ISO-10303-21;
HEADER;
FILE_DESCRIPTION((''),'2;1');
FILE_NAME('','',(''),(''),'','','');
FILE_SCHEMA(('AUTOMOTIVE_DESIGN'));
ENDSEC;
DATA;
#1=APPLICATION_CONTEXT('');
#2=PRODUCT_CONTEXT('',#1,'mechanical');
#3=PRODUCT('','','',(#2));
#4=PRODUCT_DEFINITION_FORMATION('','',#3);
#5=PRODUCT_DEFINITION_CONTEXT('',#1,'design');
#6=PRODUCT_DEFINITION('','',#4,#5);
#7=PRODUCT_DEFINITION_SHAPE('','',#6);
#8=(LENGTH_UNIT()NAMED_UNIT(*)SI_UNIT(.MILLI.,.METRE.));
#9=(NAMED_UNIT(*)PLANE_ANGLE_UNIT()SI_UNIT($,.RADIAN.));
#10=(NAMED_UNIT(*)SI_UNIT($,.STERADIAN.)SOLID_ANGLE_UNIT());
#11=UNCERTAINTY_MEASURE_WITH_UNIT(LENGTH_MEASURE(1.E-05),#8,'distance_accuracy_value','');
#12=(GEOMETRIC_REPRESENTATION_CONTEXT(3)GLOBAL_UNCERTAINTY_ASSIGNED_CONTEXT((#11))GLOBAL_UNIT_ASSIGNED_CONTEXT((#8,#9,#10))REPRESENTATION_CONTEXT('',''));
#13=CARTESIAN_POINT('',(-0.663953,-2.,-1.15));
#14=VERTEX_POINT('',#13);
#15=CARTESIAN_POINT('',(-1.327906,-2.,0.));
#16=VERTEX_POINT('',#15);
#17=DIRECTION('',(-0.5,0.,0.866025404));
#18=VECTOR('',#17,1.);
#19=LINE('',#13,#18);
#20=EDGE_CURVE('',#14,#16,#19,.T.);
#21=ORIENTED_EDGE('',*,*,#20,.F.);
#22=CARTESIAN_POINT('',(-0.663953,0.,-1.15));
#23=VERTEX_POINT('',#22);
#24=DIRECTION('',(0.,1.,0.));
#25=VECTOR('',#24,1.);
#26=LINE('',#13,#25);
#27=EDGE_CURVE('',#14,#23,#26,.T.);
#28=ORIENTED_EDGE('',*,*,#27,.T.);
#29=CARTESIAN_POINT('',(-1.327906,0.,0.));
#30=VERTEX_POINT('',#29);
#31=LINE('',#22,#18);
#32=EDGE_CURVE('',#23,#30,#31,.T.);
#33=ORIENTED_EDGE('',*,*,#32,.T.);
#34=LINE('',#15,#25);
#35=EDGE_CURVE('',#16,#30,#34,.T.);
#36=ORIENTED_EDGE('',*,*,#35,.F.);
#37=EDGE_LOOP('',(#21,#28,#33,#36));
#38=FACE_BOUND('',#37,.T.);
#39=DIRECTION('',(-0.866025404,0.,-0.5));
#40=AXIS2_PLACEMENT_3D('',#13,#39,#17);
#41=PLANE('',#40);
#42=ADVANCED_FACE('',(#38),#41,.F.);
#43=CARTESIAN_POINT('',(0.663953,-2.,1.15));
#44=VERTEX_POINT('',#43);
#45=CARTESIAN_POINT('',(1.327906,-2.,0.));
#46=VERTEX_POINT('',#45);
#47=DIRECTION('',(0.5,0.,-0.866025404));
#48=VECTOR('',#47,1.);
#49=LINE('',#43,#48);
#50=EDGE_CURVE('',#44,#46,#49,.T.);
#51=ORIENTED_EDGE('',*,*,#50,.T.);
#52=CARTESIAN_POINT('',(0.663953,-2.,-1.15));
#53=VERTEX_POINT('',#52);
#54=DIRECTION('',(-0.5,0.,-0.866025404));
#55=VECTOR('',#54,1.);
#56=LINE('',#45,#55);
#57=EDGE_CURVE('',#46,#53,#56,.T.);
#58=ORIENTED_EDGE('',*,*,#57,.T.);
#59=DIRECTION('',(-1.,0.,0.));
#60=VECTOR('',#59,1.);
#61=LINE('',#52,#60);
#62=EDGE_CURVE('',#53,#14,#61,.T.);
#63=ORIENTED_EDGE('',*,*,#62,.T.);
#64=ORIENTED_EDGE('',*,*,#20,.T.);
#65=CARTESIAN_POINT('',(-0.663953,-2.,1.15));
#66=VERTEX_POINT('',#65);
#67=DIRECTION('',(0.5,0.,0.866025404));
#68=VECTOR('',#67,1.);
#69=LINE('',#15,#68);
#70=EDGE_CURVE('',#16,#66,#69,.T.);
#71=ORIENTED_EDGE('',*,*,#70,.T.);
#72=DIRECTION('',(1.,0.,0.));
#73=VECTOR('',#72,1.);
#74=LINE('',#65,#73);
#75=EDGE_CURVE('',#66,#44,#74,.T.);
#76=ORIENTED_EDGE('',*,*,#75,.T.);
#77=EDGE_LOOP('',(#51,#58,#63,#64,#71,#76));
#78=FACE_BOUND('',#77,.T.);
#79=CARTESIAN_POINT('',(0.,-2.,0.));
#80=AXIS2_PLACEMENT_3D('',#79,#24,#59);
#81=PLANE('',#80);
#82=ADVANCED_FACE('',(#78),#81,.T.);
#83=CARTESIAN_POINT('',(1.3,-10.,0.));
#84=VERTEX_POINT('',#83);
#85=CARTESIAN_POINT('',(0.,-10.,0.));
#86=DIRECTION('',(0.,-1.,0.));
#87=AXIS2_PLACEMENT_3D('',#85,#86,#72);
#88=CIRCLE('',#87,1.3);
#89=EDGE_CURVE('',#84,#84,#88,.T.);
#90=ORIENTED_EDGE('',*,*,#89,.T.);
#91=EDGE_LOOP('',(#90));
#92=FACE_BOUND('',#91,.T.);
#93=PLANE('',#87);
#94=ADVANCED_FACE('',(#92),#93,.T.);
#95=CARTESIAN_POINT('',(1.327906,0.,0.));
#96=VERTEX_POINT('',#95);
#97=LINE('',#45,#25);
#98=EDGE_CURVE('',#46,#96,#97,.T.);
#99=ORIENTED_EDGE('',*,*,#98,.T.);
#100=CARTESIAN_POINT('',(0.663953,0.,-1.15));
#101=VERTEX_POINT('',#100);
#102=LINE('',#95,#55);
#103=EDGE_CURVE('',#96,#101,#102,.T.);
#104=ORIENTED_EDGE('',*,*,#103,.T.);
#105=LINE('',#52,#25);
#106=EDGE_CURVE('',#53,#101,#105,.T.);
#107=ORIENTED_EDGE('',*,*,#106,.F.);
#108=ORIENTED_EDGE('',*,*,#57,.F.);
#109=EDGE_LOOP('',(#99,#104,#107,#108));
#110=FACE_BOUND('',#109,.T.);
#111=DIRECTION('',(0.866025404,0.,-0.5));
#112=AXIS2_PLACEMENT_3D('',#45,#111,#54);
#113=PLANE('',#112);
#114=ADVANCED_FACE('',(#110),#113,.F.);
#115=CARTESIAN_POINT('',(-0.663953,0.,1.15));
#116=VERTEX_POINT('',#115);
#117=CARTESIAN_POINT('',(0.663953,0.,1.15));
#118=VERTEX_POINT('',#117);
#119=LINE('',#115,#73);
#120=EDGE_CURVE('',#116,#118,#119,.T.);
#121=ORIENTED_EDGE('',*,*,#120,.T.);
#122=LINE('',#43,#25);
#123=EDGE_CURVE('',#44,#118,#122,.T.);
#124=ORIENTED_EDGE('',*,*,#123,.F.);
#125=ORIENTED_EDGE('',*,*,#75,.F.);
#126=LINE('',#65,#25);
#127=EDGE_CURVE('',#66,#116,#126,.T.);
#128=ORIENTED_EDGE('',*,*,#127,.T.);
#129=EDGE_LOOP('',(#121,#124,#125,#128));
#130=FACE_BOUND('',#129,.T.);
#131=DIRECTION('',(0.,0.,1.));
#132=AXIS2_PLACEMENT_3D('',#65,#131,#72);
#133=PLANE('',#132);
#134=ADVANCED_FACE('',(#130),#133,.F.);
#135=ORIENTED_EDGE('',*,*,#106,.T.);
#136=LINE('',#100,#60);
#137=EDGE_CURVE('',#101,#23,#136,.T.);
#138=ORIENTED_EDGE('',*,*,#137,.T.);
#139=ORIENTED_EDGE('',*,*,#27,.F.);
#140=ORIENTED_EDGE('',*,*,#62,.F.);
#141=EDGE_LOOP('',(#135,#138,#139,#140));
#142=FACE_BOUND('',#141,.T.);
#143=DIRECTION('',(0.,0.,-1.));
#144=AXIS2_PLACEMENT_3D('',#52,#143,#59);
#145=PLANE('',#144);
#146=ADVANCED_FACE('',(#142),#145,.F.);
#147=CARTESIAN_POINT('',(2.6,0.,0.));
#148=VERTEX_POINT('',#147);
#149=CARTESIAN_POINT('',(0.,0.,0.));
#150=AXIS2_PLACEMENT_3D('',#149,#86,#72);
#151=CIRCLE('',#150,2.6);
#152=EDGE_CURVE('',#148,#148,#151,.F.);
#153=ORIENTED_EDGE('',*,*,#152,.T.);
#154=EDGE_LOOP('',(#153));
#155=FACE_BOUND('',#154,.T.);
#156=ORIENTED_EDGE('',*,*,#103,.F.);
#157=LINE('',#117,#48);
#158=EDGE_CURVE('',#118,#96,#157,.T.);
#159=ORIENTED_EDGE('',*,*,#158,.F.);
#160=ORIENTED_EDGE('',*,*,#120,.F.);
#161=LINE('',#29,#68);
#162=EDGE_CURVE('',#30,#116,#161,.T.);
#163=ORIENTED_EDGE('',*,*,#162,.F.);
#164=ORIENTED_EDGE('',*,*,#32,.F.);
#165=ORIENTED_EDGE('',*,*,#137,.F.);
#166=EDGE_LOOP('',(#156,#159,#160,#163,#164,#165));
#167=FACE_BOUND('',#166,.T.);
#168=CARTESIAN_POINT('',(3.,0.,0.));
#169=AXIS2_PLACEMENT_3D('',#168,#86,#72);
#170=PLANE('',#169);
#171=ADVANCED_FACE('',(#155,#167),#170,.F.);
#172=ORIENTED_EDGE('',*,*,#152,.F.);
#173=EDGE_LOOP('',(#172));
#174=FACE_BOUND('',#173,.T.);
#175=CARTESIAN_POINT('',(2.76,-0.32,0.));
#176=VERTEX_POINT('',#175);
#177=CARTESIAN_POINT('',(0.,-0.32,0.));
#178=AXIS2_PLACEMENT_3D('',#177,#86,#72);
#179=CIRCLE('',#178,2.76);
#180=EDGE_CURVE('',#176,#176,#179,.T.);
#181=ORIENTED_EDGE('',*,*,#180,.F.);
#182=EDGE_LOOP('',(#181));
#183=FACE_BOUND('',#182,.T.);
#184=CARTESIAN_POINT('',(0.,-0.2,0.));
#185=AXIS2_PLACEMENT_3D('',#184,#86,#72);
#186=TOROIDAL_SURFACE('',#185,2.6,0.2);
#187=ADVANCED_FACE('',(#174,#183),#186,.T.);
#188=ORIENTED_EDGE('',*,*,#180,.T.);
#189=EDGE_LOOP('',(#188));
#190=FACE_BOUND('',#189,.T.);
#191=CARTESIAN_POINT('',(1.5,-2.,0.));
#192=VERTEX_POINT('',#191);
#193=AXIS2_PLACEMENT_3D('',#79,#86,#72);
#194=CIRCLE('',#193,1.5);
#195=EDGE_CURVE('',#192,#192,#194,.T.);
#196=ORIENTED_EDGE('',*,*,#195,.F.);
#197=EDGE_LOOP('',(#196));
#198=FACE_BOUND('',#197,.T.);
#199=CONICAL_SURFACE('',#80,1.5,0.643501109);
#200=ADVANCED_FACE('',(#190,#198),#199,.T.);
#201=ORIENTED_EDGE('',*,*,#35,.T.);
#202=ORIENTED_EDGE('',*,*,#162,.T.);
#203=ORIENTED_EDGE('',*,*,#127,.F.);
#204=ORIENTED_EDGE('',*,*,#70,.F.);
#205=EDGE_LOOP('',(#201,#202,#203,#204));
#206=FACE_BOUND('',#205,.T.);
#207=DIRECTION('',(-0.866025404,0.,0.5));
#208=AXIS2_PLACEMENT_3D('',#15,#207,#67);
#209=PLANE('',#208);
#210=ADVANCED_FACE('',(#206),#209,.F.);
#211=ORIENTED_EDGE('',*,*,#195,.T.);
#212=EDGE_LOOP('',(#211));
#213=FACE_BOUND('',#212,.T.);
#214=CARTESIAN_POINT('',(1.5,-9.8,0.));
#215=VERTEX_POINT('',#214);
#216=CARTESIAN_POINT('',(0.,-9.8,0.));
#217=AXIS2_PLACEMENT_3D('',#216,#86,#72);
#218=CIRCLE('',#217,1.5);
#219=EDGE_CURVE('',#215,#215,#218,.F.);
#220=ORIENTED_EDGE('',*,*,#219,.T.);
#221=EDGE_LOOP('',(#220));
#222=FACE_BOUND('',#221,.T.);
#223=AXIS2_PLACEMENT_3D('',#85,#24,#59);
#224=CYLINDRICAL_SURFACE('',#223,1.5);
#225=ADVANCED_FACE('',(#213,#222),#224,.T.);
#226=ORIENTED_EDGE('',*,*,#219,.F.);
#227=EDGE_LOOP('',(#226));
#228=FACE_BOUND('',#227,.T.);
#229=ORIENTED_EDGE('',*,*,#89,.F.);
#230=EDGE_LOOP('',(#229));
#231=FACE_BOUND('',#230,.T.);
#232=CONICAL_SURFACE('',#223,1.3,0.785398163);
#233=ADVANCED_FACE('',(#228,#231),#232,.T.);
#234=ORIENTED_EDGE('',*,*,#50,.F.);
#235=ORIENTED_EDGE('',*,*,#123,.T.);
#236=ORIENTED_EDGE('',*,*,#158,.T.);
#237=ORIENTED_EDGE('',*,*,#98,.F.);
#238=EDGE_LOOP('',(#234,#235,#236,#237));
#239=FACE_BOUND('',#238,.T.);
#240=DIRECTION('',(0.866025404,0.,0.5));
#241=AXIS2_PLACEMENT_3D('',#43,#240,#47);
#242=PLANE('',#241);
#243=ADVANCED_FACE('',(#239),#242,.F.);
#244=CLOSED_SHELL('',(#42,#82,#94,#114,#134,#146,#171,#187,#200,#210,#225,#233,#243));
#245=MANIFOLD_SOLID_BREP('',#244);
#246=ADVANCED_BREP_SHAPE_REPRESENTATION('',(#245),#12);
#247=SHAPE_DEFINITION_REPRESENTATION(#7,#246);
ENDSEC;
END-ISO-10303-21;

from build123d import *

# Parameters (mm, degrees)
SKETCH_2_R          = 1.5
EXTRUDE_1_DEPTH     = 8
CUT_EXTRUDE_1_DEPTH = 2
CHAMFER_1_SIZE      = 0.2
FILLET_1_R          = 0.2


with BuildPart() as part:
    # 草图1 → 旋转1 (revolve)
    with BuildSketch(Plane.XY):
        Polygon((0, 0), (0, -2), (1.5, -2), (3, 0), align=None)
    revolve(axis=Axis((0, 0, 0), (0, -1, 0)))

    # 草图2 → 凸台-拉伸1 (add)
    with BuildSketch(Plane.XZ.offset(2)):
        Circle(SKETCH_2_R)
    extrude(amount=EXTRUDE_1_DEPTH)

    # 草图3 → 切除-拉伸1 (cut)
    with BuildSketch(Plane(origin=(0, 0, 0), x_dir=(1, 0, 0), z_dir=(0, 1, 0))):
        Polygon((-1.327905619, 0), (-0.66395281, -1.15), (0.66395281, -1.15), (1.327905619, 0), (0.66395281, 1.15), (-0.66395281, 1.15), align=None)
    extrude(amount=-CUT_EXTRUDE_1_DEPTH, mode=Mode.SUBTRACT)

    # 倒角1
    chamfer_1_edges = [part.edges().sort_by_distance(p)[0] for p in [
        (-1.5, -10, 0),
    ]]
    chamfer(chamfer_1_edges, length=CHAMFER_1_SIZE)

    # 圆角1
    fillet_1_edges = [part.edges().sort_by_distance(p)[0] for p in [
        (-3, 0, 0),
    ]]
    fillet(fillet_1_edges, radius=FILLET_1_R)


solid = part.part
